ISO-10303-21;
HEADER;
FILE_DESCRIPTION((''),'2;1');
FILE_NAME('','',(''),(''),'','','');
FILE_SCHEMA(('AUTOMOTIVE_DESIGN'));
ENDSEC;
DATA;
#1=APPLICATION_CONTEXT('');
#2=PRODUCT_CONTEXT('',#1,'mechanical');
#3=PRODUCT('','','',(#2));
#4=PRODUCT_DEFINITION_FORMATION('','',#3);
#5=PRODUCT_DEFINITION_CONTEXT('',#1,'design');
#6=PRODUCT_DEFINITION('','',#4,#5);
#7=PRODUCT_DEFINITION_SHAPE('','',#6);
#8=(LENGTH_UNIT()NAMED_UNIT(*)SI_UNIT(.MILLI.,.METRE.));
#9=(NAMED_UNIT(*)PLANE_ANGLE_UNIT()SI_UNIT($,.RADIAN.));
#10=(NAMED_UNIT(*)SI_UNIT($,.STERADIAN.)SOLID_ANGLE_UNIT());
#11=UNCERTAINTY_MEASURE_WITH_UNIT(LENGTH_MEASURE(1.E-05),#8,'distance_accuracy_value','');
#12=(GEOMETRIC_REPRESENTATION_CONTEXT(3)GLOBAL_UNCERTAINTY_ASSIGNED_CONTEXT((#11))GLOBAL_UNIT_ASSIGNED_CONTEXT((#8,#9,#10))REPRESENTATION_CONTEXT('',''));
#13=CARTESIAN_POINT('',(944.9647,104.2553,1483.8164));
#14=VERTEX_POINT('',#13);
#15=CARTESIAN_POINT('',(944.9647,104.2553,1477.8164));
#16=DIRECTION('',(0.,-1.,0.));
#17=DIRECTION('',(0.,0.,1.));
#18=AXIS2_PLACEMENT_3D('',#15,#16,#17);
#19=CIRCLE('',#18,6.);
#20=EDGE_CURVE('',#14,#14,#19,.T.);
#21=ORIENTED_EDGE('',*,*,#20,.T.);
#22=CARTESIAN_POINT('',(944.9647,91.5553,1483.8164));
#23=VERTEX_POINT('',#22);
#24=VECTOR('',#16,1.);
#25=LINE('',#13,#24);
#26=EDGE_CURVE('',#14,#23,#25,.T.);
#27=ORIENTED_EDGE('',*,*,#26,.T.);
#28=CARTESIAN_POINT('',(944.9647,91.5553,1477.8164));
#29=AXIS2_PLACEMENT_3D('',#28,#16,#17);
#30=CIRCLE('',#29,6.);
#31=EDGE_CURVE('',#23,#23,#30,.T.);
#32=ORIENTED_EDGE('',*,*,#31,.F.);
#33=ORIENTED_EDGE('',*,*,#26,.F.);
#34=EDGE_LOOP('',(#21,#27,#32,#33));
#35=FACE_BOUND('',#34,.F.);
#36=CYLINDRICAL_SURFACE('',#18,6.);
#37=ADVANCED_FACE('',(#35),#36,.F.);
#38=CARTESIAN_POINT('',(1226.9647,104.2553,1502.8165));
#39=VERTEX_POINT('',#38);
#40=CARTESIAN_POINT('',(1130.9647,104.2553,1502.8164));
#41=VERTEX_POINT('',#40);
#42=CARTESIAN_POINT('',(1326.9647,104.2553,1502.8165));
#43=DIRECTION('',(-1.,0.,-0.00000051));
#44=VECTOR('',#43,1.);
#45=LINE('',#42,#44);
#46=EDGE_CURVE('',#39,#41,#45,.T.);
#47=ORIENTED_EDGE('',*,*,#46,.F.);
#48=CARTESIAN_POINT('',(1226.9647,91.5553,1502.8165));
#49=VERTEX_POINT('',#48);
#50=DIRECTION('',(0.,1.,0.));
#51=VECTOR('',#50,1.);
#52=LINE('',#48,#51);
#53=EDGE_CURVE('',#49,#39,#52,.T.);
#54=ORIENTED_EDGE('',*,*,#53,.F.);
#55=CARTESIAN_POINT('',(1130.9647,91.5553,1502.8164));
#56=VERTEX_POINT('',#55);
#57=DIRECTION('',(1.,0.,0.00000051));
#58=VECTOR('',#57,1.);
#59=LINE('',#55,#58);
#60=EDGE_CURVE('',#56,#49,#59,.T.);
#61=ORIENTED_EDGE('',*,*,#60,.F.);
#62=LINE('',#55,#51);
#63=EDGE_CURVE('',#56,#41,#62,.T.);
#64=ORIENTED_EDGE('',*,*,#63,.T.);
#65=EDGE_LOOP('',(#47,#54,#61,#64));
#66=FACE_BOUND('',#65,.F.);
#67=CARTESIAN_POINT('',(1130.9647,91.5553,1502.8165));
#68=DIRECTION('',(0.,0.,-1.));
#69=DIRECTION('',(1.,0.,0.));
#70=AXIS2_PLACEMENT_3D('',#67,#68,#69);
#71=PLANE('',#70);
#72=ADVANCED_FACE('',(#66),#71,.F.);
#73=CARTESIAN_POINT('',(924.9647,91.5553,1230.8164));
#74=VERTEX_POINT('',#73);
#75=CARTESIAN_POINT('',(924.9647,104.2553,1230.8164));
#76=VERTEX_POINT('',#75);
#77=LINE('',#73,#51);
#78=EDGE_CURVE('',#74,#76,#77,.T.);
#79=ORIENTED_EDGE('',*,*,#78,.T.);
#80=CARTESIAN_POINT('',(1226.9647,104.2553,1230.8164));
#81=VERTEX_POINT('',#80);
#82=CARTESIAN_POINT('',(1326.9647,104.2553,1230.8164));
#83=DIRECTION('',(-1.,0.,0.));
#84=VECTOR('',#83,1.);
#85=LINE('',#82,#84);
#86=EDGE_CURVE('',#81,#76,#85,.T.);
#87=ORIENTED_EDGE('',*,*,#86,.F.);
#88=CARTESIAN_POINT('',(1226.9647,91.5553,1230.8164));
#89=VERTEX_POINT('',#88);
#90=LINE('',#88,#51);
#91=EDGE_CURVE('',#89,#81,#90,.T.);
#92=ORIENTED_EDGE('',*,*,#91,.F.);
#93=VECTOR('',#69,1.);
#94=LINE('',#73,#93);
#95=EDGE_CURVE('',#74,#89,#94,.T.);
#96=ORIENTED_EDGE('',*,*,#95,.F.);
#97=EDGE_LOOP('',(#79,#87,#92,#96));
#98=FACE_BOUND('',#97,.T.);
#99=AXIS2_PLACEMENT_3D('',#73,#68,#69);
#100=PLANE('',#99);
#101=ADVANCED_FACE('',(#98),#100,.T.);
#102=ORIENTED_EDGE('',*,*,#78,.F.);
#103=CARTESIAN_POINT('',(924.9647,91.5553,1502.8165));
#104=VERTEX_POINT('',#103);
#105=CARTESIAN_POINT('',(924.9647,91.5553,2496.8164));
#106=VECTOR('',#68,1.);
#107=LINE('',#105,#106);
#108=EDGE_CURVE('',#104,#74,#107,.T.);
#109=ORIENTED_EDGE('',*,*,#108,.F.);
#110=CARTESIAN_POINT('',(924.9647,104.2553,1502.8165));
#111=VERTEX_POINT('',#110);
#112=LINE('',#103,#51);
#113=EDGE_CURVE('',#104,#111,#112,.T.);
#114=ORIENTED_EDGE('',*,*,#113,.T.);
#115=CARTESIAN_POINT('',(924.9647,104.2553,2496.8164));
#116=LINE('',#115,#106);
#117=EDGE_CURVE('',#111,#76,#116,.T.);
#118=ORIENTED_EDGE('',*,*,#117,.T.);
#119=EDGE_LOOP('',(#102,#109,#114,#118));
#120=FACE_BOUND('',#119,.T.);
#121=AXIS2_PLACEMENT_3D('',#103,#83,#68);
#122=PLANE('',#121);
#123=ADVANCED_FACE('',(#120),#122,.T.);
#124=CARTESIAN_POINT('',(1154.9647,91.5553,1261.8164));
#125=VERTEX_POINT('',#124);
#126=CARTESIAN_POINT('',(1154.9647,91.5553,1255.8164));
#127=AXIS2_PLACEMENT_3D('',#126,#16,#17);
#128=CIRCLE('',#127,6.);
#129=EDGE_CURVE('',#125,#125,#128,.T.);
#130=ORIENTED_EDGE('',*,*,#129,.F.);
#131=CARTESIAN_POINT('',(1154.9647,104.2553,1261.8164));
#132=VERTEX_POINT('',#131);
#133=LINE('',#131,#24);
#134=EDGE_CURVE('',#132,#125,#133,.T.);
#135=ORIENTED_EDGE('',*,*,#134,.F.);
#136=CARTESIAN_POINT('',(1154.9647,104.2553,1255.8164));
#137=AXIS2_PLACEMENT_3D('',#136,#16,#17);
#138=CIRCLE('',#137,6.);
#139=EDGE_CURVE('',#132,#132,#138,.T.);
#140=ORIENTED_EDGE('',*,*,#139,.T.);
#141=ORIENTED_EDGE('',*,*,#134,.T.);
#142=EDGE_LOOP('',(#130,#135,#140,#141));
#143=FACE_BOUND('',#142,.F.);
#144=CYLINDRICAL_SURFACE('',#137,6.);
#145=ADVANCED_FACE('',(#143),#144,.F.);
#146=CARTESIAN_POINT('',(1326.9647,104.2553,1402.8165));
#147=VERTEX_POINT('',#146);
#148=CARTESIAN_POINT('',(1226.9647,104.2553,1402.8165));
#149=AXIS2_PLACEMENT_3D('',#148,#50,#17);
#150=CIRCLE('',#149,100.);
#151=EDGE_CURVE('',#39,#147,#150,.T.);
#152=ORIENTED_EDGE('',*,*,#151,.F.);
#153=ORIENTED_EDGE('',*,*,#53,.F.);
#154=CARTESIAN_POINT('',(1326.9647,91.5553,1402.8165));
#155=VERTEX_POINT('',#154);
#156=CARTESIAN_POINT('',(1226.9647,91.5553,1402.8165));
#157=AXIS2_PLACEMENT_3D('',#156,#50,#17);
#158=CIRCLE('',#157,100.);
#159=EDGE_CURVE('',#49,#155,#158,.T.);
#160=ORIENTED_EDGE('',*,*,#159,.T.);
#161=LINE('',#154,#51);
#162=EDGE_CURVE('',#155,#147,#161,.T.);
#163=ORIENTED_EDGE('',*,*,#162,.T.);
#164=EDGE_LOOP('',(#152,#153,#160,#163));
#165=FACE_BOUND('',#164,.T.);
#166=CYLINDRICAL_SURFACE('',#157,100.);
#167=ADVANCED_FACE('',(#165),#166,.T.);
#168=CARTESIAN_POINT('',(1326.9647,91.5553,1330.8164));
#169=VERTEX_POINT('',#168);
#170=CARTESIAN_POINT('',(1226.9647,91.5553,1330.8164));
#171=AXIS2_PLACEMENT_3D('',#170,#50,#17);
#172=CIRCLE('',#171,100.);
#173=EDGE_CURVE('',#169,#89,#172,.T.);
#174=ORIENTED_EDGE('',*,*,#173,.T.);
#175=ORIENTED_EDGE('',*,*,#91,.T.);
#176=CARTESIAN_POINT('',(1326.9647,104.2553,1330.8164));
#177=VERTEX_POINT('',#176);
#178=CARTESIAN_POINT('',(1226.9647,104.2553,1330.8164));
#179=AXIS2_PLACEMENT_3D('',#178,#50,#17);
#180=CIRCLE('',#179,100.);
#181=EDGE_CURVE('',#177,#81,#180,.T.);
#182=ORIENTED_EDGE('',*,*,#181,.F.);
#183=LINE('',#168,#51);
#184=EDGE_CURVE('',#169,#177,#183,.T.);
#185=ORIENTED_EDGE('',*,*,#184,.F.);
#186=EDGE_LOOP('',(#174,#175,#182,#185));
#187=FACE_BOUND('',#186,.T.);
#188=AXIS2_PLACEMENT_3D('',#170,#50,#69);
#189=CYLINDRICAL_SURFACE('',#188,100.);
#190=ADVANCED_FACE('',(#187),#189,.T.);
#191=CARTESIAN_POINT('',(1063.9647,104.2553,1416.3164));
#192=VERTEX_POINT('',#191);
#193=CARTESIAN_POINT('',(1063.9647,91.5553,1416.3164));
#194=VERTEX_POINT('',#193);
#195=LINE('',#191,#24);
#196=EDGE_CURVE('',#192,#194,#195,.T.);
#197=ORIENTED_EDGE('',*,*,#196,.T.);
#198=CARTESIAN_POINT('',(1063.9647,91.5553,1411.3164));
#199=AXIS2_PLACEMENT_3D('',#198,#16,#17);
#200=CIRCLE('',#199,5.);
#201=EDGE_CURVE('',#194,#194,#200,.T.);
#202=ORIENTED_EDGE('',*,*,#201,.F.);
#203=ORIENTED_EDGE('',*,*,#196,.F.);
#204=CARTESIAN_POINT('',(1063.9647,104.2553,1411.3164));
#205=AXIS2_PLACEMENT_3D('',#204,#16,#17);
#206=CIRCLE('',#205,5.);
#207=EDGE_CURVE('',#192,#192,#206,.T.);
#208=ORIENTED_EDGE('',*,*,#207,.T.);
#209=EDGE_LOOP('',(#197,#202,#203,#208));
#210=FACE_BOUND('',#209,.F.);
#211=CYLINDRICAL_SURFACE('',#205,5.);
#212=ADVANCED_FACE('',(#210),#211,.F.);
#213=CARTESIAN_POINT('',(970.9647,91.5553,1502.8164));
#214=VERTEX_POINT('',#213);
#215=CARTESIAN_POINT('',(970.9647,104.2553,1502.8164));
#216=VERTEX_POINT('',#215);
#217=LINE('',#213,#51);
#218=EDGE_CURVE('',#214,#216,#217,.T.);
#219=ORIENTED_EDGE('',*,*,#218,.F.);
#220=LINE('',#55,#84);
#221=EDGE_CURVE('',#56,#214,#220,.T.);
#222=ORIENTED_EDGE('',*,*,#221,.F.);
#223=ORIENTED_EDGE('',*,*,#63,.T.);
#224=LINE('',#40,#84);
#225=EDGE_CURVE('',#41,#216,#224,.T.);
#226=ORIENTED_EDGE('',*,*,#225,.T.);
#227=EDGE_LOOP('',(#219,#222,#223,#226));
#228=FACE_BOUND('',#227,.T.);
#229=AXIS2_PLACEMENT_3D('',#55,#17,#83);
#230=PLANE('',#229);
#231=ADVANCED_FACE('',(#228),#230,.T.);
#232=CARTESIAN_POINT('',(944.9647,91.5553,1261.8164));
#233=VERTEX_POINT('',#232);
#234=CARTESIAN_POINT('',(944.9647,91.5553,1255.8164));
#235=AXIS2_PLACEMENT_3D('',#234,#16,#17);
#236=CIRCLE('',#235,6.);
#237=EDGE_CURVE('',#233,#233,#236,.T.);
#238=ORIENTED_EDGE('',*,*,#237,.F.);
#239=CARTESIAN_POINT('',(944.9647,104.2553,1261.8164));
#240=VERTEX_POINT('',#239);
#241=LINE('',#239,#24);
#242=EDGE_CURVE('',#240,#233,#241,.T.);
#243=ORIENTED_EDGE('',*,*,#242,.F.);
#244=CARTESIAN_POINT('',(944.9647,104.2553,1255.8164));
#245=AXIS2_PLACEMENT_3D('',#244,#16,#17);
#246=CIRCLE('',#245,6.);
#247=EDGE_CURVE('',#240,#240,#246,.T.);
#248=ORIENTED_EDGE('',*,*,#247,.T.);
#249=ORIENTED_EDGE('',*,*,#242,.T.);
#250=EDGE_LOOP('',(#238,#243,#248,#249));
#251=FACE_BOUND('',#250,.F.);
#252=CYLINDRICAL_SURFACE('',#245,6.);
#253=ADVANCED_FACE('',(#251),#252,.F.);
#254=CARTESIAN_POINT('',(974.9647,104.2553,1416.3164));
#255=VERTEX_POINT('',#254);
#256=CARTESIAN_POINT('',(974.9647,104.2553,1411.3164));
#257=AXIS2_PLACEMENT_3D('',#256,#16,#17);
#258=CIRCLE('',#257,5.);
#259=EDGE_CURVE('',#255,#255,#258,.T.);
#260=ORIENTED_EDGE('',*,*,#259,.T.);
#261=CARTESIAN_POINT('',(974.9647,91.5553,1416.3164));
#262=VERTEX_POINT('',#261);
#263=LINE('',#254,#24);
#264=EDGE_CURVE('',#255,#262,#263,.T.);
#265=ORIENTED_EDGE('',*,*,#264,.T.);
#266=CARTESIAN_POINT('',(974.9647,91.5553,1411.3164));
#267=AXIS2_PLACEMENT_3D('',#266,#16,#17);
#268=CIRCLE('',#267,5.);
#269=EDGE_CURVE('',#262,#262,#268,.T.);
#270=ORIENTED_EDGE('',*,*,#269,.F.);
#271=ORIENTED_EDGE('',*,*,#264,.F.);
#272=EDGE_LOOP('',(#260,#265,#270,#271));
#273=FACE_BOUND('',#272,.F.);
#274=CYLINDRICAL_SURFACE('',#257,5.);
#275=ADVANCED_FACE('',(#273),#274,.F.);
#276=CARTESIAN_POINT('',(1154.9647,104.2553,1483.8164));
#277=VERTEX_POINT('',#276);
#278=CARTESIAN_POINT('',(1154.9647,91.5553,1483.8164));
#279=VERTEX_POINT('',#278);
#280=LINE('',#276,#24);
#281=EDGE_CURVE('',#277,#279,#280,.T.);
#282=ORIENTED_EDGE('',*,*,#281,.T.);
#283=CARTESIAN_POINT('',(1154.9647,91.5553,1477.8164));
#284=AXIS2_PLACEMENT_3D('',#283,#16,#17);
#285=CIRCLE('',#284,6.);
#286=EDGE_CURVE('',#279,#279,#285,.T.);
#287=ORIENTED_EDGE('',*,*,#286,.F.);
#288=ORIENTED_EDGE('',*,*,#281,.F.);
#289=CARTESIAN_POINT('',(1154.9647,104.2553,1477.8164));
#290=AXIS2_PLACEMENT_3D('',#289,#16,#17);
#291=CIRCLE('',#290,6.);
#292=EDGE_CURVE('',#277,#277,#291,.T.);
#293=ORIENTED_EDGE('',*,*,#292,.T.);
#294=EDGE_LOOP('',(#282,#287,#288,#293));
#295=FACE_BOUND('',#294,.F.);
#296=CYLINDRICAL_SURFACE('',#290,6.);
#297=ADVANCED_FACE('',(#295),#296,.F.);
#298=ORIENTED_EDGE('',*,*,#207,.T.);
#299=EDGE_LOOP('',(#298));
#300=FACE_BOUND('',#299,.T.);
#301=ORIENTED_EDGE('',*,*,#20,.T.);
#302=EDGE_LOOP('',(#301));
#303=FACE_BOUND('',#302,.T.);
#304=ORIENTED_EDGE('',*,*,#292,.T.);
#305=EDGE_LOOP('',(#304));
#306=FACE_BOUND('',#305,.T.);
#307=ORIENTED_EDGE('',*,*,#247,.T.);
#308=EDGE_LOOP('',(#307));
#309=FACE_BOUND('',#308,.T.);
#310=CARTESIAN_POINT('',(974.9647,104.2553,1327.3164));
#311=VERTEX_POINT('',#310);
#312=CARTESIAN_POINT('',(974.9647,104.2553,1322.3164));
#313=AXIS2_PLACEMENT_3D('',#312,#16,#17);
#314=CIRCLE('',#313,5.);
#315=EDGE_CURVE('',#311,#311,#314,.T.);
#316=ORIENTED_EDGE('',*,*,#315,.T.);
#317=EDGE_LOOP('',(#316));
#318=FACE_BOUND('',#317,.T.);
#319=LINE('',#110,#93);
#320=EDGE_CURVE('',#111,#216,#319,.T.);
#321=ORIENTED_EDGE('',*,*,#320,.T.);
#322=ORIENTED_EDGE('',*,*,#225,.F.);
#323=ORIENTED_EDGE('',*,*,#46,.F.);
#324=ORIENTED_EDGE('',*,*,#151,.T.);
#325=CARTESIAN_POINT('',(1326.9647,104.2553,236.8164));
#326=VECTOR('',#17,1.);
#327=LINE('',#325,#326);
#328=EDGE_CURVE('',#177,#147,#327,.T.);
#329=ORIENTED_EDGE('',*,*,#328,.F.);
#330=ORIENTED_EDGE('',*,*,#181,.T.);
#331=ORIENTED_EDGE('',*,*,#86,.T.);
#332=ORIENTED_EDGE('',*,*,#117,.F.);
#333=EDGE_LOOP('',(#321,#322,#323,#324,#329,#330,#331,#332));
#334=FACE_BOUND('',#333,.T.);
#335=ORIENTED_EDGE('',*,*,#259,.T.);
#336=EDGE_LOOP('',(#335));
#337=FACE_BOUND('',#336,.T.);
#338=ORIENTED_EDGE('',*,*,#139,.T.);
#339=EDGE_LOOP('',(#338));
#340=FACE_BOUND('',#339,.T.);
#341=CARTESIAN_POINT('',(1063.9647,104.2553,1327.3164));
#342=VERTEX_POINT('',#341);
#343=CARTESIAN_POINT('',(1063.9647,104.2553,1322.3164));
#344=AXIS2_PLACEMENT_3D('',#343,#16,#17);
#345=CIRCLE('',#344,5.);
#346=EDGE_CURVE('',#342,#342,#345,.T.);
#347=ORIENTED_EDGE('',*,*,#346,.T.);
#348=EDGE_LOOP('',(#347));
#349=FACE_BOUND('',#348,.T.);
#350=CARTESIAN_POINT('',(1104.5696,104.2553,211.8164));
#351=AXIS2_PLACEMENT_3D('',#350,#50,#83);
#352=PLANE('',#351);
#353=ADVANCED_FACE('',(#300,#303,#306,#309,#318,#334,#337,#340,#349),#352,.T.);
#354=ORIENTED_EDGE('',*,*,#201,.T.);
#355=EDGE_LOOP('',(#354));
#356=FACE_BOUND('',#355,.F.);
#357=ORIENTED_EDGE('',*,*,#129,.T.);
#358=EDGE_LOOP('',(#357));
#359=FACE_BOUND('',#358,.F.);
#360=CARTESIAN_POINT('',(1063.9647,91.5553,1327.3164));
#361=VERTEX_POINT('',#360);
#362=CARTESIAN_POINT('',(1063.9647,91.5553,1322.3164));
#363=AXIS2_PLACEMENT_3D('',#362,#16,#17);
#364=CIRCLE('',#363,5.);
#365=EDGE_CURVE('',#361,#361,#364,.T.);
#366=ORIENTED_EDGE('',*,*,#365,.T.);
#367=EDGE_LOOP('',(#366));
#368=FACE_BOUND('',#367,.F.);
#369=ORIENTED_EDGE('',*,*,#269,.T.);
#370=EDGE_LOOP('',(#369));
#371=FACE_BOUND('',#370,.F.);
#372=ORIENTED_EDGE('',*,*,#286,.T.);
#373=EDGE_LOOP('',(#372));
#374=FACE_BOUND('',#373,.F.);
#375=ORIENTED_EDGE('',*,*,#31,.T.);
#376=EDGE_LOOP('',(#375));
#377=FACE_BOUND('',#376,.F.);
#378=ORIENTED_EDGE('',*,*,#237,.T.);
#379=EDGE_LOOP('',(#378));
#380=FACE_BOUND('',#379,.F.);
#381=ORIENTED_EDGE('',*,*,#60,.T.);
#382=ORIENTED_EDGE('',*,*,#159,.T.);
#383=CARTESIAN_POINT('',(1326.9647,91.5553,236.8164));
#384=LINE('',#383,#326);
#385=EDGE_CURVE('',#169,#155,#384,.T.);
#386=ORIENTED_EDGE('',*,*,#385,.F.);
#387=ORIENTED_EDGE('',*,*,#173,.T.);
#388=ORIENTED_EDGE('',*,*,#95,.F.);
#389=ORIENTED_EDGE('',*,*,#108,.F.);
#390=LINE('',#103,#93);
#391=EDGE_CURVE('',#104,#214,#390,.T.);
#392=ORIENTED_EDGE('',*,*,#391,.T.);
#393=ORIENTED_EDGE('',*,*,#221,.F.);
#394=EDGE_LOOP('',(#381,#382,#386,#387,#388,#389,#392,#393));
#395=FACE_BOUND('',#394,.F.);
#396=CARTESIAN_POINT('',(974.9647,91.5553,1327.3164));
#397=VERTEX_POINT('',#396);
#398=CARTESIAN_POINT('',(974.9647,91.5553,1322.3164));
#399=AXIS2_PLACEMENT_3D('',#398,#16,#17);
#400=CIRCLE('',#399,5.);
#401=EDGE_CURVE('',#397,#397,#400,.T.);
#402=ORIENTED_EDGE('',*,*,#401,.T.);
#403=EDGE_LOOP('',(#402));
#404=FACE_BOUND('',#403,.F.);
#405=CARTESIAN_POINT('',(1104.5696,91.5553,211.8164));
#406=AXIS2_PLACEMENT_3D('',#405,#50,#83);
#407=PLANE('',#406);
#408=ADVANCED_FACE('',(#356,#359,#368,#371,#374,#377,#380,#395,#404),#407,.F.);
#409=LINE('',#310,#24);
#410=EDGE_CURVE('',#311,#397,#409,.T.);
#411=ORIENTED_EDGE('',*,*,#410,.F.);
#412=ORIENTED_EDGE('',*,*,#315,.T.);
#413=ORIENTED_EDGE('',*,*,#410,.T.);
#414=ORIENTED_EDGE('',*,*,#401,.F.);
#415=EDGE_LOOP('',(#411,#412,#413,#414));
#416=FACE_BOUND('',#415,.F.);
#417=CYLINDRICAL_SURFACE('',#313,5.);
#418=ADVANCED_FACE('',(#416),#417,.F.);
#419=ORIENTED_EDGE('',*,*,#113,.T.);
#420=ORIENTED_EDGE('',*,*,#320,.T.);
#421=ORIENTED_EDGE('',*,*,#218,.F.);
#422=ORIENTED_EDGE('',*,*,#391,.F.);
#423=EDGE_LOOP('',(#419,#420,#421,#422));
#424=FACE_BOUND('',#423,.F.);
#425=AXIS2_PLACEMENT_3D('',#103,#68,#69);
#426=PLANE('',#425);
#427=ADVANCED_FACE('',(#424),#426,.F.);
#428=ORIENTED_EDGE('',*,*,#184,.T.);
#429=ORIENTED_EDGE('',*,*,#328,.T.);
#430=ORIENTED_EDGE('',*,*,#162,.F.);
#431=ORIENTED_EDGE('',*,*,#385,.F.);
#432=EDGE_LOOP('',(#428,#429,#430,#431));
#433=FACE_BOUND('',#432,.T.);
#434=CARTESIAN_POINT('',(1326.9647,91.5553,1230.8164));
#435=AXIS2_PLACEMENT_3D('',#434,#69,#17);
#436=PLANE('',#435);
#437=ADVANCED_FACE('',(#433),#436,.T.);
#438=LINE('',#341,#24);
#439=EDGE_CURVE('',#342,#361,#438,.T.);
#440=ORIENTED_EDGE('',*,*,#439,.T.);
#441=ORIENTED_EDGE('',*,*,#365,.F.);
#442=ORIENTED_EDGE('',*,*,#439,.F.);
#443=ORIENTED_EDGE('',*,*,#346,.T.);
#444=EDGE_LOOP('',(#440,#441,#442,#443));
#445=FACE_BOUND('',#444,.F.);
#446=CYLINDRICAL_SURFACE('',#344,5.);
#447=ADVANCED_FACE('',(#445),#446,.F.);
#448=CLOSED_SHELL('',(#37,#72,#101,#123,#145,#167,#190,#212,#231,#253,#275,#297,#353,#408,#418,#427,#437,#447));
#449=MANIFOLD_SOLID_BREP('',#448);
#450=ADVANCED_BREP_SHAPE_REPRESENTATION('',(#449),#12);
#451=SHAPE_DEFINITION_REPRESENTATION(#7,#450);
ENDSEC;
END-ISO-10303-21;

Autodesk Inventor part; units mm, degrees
ref_plane "YZ Plane" through (0, 0, 0) normal (1, 0, 0) x (0, 1, 0)
ref_plane "XZ Plane" through (0, 0, 0) normal (0, 1, 0) x (-1, 0, 0)
ref_plane "Work Plane1" through (1104.5696, 91.5553, 211.8164) normal (0, 1, 0) x (-1, 0, 0)
sketch "Sketch1" plane through (1104.5696, 91.5553, 211.8164) normal (0, 1, 0) x (-1, 0, 0)
  arc A0 (57.6551, 1254.9955) -> (57.6551, 1150.0245) centre (104.395, 1202.51) ccw
  line L0 (-26.3951, 1291) -> (133.6049, 1291)
  line L1 (133.6049, 1019) -> (-26.3951, 1019)
  line L2 (-26.3951, 1249) -> (-26.3951, 1291)
  line L3 (179.6049, 2285) -> (179.6049, 25)
  line L4 (179.6049, 1019) -> (179.6049, 1291.0001)
  line L5 (-72.3951, 25) -> (-72.3951, 2285)
  line L6 (179.6049, 1291.0001) -> (-222.3951, 1291.0001)
  line L7 (179.6049, 1019) -> (-222.3951, 1019)
  line L8 (-222.3951, 25) -> (-222.3951, 2285)
  line L9 (-222.3951, 1291.0001) -> (-222.3951, 1019)
  point P0 (1104.5696, -211.8164)
  point P1 (-72.3951, 1291.0001)
  point P2 (-72.3951, 1019)
  point P3 (154, 1291)
  point P4 (4, 1291)
extrude "Extrusion1" add sketch "Sketch1" along normal blind 12.7
sketch "Sketch2" plane through (1104.5696, 104.2553, 211.8164) normal (0, 1, 0) x (1, 0, 0)
  line L0 (222.3951, -1019) -> (-179.6049, -1019) construction
  line L1 (-179.6049, -1019) -> (-179.6049, -1291.0001) construction
  line L2 (-179.6049, -1291.0001) -> (222.3951, -1291.0001) construction
  line L3 (222.3951, -1291.0001) -> (222.3951, -1019) construction
  line L4 (-179.6049, -1291.0001) -> (222.3951, -1291.0001) construction
  line L5 (21.3951, -1291.0001) -> (21.3951, -1019) construction
  line L6 (-179.6049, -1019) -> (-179.6049, -1291.0001) construction
  line L7 (-179.6049, -1155) -> (222.3951, -1155) construction
  point P0 (-1104.5696, 211.8164)
  point P1 (-159.6049, -1266.0001)
  point P2 (50.3951, -1266.0001)
  point P3 (-159.6049, -1044)
  point P4 (50.3951, -1044)
  dimension "d16" = 25
  dimension "d17" = 20
  dimension "d18" = 25
  dimension "d19" = 210
hole "Hole1" at (944.9647, 104.2553, 1477.8164) at (944.9647, 104.2553, 1255.8164) at (1154.9647, 104.2553, 1255.8164) at (1154.9647, 104.2553, 1477.8164) direction (0, -1, 0) diameter 12 end through all
fillet "Fillet1" radius 100 1 edges at (1326.9647, 97.9053, 1502.8164)
fillet "Fillet2" radius 100 1 edges at (1326.9647, 97.9053, 1230.8164)
sketch "Sketch3" plane through (1104.5696, 104.2553, 211.8164) normal (0, 1, 0) x (1, 0, 0)
  line L0 (-129.6049, -1110.5) -> (-40.6049, -1110.5)
  line L1 (-40.6049, -1110.5) -> (-40.6049, -1199.5)
  line L2 (-40.6049, -1199.5) -> (-129.6049, -1199.5)
  line L3 (-129.6049, -1199.5) -> (-129.6049, -1110.5)
  line L4 (-179.6049, -1019) -> (-179.6049, -1291.0001) projected
  line L5 (-179.6049, -1155) -> (-143.519, -1155)
  point P0 (-1104.5696, 211.8164)
  dimension "d20" = 89
  dimension "d21" = 89
  dimension "d22" = 50
hole "Hole2" at (974.9647, 104.2553, 1322.3164) at (1063.9647, 104.2553, 1322.3164) at (1063.9647, 104.2553, 1411.3164) at (974.9647, 104.2553, 1411.3164) direction (0, -1, 0) diameter 10 end through all
properties part number "PlacaInferior" material "Steel ASTM A36"
